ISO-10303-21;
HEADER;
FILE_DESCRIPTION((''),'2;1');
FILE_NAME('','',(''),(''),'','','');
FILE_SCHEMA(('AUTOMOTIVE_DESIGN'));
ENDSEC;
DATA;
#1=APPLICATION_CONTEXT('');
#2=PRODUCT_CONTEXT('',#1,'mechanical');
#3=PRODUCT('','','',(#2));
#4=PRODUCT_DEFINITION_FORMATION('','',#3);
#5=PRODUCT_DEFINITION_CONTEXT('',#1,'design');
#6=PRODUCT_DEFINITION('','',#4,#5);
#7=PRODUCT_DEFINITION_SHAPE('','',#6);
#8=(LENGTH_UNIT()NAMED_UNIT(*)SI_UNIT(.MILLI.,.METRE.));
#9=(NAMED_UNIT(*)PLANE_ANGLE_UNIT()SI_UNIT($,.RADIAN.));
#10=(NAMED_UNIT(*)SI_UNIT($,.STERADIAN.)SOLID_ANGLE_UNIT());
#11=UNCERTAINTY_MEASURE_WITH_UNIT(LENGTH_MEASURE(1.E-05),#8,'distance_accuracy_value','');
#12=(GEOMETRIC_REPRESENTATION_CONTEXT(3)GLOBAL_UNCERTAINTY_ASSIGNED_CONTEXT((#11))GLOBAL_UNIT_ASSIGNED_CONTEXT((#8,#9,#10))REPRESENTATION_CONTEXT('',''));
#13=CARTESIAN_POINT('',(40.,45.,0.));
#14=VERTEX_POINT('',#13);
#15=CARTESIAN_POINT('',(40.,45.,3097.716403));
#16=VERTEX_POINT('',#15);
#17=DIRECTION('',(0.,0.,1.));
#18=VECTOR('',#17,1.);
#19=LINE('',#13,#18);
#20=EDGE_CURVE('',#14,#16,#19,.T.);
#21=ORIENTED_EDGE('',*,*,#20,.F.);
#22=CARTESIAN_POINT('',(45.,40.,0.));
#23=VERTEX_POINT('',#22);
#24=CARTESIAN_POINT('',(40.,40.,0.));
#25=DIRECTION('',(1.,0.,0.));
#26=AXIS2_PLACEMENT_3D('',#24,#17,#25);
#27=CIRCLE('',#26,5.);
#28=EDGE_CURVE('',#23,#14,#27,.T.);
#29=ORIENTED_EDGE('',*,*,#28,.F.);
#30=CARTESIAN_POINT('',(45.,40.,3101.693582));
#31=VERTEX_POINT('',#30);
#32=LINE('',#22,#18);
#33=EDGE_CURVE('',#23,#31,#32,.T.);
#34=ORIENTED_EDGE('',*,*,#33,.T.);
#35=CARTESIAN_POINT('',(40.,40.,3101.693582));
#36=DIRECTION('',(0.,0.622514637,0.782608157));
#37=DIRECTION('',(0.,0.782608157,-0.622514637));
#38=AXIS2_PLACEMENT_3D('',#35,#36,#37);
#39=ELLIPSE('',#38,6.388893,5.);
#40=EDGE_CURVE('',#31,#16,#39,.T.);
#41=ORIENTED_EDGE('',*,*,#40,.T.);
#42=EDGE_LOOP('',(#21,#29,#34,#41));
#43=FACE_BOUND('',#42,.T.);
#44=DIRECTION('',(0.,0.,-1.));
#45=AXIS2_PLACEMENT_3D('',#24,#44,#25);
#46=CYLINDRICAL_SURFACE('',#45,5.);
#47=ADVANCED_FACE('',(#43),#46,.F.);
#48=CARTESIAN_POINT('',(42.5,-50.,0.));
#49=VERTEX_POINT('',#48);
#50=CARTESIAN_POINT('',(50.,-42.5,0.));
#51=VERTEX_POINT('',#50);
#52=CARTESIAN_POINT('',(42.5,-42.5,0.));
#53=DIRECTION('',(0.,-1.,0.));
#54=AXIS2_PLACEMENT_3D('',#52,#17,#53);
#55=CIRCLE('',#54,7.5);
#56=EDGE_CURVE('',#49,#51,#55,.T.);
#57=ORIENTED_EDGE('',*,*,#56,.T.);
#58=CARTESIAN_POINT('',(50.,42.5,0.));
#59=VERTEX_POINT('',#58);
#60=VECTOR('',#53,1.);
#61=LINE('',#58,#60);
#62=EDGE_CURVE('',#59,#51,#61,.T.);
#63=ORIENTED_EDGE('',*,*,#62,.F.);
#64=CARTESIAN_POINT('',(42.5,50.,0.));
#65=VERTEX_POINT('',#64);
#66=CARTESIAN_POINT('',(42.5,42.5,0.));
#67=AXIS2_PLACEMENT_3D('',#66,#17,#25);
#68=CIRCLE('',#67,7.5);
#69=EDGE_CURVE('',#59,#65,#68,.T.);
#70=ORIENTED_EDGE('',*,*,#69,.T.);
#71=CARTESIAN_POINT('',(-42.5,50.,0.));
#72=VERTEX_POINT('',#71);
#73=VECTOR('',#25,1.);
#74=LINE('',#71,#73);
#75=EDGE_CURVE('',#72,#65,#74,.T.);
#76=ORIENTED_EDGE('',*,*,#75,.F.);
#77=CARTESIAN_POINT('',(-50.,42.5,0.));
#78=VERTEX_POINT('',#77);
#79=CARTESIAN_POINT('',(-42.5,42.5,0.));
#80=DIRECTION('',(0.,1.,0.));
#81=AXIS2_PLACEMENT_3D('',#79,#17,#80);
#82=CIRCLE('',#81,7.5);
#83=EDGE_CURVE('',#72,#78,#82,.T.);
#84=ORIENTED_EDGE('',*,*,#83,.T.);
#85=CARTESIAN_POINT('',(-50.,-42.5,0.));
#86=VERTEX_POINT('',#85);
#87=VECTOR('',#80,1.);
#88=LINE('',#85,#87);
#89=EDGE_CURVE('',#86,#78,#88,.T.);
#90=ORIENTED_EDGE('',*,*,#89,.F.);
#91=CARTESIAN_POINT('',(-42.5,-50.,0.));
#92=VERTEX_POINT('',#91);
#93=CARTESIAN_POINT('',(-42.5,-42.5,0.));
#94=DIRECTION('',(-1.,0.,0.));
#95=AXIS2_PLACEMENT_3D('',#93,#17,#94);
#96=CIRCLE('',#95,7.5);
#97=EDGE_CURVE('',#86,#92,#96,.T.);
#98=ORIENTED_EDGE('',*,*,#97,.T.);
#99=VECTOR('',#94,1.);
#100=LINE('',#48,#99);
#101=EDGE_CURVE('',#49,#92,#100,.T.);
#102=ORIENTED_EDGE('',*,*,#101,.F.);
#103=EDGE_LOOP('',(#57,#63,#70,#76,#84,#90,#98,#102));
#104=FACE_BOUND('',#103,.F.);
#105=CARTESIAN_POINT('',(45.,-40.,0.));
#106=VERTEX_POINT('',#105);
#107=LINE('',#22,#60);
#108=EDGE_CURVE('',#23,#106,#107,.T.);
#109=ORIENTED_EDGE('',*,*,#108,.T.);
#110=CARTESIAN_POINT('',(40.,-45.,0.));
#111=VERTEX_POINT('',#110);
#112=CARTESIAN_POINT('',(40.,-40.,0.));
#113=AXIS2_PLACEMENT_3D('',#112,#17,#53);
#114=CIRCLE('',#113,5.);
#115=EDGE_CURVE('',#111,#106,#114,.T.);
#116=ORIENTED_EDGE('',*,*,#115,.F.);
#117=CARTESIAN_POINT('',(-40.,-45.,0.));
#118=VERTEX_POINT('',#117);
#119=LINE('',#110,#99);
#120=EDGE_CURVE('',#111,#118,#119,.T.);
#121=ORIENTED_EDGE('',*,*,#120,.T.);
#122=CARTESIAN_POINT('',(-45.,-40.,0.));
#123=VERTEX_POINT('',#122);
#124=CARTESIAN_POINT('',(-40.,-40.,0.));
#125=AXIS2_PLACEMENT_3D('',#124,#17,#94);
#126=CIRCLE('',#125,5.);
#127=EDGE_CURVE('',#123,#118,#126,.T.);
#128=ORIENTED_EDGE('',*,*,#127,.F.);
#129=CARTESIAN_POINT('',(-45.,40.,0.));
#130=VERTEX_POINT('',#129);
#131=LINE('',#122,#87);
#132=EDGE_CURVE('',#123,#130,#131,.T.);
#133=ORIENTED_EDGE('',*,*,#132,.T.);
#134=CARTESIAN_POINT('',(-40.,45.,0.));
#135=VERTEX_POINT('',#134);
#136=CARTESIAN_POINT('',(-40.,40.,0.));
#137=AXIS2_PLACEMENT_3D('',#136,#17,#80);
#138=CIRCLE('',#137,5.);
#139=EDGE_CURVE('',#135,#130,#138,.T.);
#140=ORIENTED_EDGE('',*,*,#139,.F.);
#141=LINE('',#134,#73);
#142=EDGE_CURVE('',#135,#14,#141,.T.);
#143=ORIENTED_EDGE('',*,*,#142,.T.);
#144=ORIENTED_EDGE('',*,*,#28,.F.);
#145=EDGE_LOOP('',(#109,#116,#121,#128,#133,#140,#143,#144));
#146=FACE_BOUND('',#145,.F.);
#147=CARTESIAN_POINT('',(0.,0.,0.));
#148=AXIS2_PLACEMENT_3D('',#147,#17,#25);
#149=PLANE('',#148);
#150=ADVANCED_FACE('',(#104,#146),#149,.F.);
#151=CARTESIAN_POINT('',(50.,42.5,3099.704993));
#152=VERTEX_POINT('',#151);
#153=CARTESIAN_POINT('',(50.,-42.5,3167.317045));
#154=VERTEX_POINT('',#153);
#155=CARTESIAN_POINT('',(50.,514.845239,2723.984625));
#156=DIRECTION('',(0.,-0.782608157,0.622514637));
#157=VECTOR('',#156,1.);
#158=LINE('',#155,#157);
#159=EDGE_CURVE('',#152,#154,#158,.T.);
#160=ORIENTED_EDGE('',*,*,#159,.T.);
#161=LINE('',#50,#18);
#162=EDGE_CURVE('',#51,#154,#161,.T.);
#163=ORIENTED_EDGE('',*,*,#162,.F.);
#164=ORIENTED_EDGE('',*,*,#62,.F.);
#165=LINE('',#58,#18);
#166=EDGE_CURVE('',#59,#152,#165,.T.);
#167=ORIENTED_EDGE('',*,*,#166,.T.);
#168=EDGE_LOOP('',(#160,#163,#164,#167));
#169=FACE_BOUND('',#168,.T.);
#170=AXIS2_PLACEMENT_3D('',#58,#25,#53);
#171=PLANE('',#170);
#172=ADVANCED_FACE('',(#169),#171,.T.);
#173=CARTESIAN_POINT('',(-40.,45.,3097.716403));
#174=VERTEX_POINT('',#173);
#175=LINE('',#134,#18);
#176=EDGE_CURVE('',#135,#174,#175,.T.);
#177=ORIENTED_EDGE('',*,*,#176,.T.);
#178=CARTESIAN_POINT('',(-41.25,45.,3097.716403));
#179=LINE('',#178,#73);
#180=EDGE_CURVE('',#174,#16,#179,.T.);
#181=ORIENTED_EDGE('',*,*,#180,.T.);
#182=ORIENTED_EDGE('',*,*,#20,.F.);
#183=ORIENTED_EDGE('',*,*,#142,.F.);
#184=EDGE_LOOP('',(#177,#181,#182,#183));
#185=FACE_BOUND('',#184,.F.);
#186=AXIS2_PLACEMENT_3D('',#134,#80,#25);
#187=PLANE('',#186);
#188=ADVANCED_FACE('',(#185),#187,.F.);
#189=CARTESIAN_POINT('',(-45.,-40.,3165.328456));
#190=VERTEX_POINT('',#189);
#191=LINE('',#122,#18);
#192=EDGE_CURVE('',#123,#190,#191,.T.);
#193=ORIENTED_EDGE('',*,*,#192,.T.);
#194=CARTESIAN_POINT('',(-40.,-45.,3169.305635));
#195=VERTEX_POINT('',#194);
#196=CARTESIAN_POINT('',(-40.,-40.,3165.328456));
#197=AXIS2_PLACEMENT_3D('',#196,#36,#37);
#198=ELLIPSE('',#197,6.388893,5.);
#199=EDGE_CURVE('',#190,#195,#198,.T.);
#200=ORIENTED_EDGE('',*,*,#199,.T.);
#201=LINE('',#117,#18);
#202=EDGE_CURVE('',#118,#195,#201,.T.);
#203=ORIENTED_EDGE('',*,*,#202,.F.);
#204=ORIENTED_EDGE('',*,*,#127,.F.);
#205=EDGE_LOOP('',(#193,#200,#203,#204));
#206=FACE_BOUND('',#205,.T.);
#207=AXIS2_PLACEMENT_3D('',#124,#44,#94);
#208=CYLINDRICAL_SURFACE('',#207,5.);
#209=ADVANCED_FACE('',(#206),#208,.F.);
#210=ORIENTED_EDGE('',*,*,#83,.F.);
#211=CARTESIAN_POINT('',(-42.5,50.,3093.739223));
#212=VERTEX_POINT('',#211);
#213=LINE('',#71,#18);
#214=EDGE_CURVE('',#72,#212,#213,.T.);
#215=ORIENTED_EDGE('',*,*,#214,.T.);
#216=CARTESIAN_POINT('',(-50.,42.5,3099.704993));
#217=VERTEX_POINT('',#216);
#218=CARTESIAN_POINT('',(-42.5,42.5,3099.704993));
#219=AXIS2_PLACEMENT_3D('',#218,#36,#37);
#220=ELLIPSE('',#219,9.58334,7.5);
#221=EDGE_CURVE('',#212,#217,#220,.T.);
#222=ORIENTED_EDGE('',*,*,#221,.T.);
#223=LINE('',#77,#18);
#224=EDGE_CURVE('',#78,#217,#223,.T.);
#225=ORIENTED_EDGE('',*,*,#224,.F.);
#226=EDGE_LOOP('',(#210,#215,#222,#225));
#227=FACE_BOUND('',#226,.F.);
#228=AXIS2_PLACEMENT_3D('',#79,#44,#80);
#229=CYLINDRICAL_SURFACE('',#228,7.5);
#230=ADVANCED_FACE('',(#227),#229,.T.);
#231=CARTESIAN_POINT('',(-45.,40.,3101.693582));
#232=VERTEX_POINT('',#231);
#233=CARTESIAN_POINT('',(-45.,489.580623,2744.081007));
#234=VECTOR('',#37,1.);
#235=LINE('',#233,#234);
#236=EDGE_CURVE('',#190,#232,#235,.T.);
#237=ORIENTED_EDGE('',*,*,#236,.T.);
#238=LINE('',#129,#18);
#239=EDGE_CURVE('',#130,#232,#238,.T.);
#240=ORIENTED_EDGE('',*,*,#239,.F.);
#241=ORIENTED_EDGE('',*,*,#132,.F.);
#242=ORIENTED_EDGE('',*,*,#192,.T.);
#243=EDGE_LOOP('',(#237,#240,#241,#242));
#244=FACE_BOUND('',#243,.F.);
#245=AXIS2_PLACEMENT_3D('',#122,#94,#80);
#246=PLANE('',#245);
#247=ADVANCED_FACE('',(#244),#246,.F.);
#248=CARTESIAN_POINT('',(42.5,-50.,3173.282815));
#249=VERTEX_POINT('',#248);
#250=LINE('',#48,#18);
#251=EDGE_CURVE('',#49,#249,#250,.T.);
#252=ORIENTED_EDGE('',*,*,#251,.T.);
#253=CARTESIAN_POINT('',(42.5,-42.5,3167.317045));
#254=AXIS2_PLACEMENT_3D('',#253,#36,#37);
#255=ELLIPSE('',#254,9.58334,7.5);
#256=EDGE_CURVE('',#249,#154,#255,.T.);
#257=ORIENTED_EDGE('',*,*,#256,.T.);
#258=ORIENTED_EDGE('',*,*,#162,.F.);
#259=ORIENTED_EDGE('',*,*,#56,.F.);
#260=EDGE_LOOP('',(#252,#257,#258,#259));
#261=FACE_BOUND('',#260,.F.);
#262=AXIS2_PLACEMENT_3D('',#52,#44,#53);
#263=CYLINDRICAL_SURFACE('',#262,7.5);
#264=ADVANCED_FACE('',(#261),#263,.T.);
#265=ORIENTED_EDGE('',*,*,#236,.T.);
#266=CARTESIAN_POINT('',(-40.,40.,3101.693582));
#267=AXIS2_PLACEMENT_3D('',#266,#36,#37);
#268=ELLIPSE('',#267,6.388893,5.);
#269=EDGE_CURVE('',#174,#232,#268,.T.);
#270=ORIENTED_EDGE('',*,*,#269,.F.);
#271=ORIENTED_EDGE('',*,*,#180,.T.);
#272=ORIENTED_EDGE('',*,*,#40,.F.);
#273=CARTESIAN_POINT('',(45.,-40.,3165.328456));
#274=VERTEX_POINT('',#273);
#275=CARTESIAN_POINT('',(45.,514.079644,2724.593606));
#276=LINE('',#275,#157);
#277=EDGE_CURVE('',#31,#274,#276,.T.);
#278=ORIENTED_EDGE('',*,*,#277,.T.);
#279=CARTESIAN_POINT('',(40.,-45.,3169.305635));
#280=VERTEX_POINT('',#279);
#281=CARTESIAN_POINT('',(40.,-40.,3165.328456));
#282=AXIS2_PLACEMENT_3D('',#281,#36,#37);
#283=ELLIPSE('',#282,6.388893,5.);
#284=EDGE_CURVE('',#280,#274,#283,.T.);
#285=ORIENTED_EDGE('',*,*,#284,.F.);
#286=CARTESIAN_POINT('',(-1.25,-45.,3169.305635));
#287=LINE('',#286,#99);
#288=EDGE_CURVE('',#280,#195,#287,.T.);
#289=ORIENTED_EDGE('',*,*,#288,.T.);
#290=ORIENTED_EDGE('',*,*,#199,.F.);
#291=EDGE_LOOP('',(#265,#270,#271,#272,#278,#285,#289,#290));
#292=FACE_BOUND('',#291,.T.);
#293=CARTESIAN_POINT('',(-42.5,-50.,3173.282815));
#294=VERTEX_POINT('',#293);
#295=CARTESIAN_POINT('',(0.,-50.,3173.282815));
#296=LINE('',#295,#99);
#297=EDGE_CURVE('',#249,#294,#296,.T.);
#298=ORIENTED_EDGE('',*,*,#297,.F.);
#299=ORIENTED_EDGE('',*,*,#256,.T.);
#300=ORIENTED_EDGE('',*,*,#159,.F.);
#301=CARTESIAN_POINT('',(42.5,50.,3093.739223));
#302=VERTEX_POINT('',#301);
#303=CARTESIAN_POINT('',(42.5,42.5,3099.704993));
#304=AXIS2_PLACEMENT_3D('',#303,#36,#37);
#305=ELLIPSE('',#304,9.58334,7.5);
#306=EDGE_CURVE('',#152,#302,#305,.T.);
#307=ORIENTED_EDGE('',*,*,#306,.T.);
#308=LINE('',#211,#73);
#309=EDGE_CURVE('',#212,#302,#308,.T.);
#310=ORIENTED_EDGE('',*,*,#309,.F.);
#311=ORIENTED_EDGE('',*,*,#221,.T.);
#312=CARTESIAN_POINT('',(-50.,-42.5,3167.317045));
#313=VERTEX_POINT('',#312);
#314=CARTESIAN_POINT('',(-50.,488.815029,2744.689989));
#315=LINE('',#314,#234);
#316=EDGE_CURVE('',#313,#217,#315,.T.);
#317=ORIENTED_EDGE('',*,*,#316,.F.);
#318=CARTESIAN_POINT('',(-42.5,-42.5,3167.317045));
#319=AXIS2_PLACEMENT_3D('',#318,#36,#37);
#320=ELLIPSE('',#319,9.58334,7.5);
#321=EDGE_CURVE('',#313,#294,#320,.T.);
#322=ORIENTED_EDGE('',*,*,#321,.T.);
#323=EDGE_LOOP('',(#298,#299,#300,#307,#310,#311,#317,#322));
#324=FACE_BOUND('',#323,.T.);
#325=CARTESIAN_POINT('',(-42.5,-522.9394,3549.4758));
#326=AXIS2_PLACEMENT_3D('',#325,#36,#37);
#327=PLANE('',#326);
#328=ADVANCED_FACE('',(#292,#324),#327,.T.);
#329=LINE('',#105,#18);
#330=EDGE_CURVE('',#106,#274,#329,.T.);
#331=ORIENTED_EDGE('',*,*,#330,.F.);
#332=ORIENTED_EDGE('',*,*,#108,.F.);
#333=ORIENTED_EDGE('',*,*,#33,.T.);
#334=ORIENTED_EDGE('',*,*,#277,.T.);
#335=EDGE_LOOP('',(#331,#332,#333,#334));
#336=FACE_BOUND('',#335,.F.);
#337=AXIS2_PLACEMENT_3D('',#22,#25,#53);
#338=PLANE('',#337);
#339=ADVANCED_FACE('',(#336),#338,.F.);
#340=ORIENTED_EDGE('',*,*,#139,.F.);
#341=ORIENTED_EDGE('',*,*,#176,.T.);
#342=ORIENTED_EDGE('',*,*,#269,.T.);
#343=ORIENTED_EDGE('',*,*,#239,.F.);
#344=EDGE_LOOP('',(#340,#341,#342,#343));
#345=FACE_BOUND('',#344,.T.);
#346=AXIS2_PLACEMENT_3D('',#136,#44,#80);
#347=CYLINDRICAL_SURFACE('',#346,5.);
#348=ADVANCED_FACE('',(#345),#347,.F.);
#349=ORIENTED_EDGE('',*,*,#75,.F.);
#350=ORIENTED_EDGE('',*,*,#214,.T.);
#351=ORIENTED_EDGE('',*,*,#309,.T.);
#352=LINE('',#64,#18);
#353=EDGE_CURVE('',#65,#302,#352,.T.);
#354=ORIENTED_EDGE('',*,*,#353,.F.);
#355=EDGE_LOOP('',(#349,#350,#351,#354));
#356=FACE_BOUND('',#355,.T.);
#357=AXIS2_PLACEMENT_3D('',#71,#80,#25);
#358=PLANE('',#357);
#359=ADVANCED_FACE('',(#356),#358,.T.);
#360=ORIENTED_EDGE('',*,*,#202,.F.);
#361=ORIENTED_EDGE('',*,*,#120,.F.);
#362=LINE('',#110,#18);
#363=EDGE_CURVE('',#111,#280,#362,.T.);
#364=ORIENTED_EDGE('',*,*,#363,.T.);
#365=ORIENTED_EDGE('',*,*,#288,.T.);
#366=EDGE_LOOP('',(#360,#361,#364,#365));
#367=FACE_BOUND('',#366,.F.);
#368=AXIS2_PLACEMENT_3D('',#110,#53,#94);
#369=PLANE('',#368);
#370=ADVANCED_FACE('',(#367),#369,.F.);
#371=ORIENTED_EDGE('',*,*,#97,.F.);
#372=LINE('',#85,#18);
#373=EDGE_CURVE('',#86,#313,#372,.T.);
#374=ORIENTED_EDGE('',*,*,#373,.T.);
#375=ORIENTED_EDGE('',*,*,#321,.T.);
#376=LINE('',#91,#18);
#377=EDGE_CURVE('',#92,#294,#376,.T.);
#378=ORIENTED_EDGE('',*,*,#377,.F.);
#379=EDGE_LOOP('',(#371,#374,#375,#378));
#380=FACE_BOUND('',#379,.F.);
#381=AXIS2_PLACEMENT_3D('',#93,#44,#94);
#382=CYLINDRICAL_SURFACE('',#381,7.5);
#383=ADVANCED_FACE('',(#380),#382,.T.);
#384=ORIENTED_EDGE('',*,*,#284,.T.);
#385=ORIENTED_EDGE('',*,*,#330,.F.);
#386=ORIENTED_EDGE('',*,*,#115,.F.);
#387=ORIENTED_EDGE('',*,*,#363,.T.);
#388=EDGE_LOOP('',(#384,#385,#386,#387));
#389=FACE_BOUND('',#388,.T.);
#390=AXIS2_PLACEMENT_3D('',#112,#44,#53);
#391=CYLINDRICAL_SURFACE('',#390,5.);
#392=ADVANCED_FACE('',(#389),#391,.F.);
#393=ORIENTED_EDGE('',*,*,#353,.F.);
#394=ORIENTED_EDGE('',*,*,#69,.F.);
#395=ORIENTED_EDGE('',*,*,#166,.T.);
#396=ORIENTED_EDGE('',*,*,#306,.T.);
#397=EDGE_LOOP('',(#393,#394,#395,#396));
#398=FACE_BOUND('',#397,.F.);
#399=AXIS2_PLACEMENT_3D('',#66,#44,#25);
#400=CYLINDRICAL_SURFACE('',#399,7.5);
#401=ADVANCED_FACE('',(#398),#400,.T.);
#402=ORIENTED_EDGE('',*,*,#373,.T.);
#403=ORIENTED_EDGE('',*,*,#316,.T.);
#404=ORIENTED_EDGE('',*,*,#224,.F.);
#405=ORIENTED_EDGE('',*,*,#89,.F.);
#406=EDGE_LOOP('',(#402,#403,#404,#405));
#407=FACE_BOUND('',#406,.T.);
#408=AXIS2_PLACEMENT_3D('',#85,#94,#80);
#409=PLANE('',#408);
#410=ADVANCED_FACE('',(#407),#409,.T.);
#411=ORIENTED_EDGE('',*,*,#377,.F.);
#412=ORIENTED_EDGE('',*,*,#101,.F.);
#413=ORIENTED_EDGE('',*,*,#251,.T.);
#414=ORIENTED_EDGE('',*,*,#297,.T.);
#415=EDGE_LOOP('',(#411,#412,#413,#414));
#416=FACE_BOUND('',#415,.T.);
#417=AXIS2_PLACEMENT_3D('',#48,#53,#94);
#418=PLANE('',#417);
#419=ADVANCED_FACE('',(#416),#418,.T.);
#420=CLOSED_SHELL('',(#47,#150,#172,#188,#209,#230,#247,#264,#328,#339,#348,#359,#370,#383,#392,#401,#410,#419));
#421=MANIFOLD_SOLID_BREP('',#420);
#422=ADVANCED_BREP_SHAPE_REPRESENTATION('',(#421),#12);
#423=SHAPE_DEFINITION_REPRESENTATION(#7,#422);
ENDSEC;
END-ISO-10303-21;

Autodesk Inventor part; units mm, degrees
ref_plane "Start Plane" through (0, 0, 0) normal (0, 0, 1) x (1, 0, 0)
ref_plane "End Plane" through (0, 0, 3173.2829) normal (0, 0, 1) x (1, 0, 0)
sketch "Sketch" plane through (0, 0, 0) normal (0, 0, 1) x (1, 0, 0)
  line L0 (-50, -42.5) -> (-50, 42.5)
  line L1 (-42.5, 50) -> (42.5, 50)
  line L2 (50, 42.5) -> (50, -42.5)
  line L3 (42.5, -50) -> (-42.5, -50)
  arc A0 (-50, -42.5) -> (-42.5, -50) centre (-42.5, -42.5) ccw
  arc A1 (-42.5, 50) -> (-50, 42.5) centre (-42.5, 42.5) ccw
  arc A2 (50, 42.5) -> (42.5, 50) centre (42.5, 42.5) ccw
  arc A3 (42.5, -50) -> (50, -42.5) centre (42.5, -42.5) ccw
  line L4 (-40, 45) -> (40, 45)
  line L5 (45, 40) -> (45, -40)
  line L6 (40, -45) -> (-40, -45)
  line L7 (-45, -40) -> (-45, 40)
  line L8 (0, 72.1746) -> (0, -72.1746) construction
  line L9 (-72.1746, 0) -> (72.1746, 0) construction
  arc A4 (-45, -40) -> (-40, -45) centre (-40, -40) ccw
  arc A5 (-40, 45) -> (-45, 40) centre (-40, 40) ccw
  arc A6 (45, 40) -> (40, 45) centre (40, 40) ccw
  arc A7 (40, -45) -> (45, -40) centre (40, -40) ccw
  dimension "d7" = 7.5
  dimension "d10" = 100
  dimension "d11" = 100
  dimension "d12" = 5
  dimension "d15" = 50
  dimension "d16" = 50
  dimension "d19" = 5
  dimension "d20" = 5
extrude "Body" add sketch "Sketch" along normal up to surface (3173.2829 mm away) from surface at 0
sketch "Sketch3" plane through (0, 0, 0) normal (0, 0, 1) x (1, 0, 0)
  line L0 (0, 0) -> (10, 0)
ref_plane "Work Plane3" through (0, 0, 0) normal (0, -1, 0) x (1, 0, 0)
ref_plane "Work Plane4" through (-42.5, -522.9394, 3549.4758) normal (0, 0.6225, 0.7826) x (1, 0, 0)
split "Split1" plane through (-42.5, -522.9394, 3549.4758) removes the side toward (0, 0.6225, 0.7826)
sketch "Sketch4" plane through (0, 0, 0) normal (0, -1, 0) x (1, 0, 0)
  line L0 (-2, 0) -> (12, 0) projected
  line L1 (-2, 3173.2829) -> (12, 3173.2829) projected
  dimension "d18" = 3173.2829
equation "\"d7\" = G_IR"
equation "\"d10\" = G_H"
equation "\"d11\" = G_W"
equation "\"d12\" = G_T"
equation "\"d15\" = 0.5 * d10"
equation "\"d16\" = 0.5 * d11"
equation "\"d19\" = G_T"
equation "\"d20\" = G_T"
equation "\"d3\" = G_L"
equation "\"G_W\" = 100"
equation "\"G_H\" = 100"
equation "\"G_T\" = 5"
equation "\"G_IR\" = 7.5"
equation "\"G_L\" = d18"
equation "\"G_OFFSET_START\" = 0"
equation "\"G_OFFSET_END\" = -24.11714"
equation "\"d14\" = G_OFFSET_END + B_L"
equation "\"B_L\" = 3197.4"
properties part number "DIN EN 10210-2 - 100 x 100 x 5 - 3173,28" material "Steel, Mild"
